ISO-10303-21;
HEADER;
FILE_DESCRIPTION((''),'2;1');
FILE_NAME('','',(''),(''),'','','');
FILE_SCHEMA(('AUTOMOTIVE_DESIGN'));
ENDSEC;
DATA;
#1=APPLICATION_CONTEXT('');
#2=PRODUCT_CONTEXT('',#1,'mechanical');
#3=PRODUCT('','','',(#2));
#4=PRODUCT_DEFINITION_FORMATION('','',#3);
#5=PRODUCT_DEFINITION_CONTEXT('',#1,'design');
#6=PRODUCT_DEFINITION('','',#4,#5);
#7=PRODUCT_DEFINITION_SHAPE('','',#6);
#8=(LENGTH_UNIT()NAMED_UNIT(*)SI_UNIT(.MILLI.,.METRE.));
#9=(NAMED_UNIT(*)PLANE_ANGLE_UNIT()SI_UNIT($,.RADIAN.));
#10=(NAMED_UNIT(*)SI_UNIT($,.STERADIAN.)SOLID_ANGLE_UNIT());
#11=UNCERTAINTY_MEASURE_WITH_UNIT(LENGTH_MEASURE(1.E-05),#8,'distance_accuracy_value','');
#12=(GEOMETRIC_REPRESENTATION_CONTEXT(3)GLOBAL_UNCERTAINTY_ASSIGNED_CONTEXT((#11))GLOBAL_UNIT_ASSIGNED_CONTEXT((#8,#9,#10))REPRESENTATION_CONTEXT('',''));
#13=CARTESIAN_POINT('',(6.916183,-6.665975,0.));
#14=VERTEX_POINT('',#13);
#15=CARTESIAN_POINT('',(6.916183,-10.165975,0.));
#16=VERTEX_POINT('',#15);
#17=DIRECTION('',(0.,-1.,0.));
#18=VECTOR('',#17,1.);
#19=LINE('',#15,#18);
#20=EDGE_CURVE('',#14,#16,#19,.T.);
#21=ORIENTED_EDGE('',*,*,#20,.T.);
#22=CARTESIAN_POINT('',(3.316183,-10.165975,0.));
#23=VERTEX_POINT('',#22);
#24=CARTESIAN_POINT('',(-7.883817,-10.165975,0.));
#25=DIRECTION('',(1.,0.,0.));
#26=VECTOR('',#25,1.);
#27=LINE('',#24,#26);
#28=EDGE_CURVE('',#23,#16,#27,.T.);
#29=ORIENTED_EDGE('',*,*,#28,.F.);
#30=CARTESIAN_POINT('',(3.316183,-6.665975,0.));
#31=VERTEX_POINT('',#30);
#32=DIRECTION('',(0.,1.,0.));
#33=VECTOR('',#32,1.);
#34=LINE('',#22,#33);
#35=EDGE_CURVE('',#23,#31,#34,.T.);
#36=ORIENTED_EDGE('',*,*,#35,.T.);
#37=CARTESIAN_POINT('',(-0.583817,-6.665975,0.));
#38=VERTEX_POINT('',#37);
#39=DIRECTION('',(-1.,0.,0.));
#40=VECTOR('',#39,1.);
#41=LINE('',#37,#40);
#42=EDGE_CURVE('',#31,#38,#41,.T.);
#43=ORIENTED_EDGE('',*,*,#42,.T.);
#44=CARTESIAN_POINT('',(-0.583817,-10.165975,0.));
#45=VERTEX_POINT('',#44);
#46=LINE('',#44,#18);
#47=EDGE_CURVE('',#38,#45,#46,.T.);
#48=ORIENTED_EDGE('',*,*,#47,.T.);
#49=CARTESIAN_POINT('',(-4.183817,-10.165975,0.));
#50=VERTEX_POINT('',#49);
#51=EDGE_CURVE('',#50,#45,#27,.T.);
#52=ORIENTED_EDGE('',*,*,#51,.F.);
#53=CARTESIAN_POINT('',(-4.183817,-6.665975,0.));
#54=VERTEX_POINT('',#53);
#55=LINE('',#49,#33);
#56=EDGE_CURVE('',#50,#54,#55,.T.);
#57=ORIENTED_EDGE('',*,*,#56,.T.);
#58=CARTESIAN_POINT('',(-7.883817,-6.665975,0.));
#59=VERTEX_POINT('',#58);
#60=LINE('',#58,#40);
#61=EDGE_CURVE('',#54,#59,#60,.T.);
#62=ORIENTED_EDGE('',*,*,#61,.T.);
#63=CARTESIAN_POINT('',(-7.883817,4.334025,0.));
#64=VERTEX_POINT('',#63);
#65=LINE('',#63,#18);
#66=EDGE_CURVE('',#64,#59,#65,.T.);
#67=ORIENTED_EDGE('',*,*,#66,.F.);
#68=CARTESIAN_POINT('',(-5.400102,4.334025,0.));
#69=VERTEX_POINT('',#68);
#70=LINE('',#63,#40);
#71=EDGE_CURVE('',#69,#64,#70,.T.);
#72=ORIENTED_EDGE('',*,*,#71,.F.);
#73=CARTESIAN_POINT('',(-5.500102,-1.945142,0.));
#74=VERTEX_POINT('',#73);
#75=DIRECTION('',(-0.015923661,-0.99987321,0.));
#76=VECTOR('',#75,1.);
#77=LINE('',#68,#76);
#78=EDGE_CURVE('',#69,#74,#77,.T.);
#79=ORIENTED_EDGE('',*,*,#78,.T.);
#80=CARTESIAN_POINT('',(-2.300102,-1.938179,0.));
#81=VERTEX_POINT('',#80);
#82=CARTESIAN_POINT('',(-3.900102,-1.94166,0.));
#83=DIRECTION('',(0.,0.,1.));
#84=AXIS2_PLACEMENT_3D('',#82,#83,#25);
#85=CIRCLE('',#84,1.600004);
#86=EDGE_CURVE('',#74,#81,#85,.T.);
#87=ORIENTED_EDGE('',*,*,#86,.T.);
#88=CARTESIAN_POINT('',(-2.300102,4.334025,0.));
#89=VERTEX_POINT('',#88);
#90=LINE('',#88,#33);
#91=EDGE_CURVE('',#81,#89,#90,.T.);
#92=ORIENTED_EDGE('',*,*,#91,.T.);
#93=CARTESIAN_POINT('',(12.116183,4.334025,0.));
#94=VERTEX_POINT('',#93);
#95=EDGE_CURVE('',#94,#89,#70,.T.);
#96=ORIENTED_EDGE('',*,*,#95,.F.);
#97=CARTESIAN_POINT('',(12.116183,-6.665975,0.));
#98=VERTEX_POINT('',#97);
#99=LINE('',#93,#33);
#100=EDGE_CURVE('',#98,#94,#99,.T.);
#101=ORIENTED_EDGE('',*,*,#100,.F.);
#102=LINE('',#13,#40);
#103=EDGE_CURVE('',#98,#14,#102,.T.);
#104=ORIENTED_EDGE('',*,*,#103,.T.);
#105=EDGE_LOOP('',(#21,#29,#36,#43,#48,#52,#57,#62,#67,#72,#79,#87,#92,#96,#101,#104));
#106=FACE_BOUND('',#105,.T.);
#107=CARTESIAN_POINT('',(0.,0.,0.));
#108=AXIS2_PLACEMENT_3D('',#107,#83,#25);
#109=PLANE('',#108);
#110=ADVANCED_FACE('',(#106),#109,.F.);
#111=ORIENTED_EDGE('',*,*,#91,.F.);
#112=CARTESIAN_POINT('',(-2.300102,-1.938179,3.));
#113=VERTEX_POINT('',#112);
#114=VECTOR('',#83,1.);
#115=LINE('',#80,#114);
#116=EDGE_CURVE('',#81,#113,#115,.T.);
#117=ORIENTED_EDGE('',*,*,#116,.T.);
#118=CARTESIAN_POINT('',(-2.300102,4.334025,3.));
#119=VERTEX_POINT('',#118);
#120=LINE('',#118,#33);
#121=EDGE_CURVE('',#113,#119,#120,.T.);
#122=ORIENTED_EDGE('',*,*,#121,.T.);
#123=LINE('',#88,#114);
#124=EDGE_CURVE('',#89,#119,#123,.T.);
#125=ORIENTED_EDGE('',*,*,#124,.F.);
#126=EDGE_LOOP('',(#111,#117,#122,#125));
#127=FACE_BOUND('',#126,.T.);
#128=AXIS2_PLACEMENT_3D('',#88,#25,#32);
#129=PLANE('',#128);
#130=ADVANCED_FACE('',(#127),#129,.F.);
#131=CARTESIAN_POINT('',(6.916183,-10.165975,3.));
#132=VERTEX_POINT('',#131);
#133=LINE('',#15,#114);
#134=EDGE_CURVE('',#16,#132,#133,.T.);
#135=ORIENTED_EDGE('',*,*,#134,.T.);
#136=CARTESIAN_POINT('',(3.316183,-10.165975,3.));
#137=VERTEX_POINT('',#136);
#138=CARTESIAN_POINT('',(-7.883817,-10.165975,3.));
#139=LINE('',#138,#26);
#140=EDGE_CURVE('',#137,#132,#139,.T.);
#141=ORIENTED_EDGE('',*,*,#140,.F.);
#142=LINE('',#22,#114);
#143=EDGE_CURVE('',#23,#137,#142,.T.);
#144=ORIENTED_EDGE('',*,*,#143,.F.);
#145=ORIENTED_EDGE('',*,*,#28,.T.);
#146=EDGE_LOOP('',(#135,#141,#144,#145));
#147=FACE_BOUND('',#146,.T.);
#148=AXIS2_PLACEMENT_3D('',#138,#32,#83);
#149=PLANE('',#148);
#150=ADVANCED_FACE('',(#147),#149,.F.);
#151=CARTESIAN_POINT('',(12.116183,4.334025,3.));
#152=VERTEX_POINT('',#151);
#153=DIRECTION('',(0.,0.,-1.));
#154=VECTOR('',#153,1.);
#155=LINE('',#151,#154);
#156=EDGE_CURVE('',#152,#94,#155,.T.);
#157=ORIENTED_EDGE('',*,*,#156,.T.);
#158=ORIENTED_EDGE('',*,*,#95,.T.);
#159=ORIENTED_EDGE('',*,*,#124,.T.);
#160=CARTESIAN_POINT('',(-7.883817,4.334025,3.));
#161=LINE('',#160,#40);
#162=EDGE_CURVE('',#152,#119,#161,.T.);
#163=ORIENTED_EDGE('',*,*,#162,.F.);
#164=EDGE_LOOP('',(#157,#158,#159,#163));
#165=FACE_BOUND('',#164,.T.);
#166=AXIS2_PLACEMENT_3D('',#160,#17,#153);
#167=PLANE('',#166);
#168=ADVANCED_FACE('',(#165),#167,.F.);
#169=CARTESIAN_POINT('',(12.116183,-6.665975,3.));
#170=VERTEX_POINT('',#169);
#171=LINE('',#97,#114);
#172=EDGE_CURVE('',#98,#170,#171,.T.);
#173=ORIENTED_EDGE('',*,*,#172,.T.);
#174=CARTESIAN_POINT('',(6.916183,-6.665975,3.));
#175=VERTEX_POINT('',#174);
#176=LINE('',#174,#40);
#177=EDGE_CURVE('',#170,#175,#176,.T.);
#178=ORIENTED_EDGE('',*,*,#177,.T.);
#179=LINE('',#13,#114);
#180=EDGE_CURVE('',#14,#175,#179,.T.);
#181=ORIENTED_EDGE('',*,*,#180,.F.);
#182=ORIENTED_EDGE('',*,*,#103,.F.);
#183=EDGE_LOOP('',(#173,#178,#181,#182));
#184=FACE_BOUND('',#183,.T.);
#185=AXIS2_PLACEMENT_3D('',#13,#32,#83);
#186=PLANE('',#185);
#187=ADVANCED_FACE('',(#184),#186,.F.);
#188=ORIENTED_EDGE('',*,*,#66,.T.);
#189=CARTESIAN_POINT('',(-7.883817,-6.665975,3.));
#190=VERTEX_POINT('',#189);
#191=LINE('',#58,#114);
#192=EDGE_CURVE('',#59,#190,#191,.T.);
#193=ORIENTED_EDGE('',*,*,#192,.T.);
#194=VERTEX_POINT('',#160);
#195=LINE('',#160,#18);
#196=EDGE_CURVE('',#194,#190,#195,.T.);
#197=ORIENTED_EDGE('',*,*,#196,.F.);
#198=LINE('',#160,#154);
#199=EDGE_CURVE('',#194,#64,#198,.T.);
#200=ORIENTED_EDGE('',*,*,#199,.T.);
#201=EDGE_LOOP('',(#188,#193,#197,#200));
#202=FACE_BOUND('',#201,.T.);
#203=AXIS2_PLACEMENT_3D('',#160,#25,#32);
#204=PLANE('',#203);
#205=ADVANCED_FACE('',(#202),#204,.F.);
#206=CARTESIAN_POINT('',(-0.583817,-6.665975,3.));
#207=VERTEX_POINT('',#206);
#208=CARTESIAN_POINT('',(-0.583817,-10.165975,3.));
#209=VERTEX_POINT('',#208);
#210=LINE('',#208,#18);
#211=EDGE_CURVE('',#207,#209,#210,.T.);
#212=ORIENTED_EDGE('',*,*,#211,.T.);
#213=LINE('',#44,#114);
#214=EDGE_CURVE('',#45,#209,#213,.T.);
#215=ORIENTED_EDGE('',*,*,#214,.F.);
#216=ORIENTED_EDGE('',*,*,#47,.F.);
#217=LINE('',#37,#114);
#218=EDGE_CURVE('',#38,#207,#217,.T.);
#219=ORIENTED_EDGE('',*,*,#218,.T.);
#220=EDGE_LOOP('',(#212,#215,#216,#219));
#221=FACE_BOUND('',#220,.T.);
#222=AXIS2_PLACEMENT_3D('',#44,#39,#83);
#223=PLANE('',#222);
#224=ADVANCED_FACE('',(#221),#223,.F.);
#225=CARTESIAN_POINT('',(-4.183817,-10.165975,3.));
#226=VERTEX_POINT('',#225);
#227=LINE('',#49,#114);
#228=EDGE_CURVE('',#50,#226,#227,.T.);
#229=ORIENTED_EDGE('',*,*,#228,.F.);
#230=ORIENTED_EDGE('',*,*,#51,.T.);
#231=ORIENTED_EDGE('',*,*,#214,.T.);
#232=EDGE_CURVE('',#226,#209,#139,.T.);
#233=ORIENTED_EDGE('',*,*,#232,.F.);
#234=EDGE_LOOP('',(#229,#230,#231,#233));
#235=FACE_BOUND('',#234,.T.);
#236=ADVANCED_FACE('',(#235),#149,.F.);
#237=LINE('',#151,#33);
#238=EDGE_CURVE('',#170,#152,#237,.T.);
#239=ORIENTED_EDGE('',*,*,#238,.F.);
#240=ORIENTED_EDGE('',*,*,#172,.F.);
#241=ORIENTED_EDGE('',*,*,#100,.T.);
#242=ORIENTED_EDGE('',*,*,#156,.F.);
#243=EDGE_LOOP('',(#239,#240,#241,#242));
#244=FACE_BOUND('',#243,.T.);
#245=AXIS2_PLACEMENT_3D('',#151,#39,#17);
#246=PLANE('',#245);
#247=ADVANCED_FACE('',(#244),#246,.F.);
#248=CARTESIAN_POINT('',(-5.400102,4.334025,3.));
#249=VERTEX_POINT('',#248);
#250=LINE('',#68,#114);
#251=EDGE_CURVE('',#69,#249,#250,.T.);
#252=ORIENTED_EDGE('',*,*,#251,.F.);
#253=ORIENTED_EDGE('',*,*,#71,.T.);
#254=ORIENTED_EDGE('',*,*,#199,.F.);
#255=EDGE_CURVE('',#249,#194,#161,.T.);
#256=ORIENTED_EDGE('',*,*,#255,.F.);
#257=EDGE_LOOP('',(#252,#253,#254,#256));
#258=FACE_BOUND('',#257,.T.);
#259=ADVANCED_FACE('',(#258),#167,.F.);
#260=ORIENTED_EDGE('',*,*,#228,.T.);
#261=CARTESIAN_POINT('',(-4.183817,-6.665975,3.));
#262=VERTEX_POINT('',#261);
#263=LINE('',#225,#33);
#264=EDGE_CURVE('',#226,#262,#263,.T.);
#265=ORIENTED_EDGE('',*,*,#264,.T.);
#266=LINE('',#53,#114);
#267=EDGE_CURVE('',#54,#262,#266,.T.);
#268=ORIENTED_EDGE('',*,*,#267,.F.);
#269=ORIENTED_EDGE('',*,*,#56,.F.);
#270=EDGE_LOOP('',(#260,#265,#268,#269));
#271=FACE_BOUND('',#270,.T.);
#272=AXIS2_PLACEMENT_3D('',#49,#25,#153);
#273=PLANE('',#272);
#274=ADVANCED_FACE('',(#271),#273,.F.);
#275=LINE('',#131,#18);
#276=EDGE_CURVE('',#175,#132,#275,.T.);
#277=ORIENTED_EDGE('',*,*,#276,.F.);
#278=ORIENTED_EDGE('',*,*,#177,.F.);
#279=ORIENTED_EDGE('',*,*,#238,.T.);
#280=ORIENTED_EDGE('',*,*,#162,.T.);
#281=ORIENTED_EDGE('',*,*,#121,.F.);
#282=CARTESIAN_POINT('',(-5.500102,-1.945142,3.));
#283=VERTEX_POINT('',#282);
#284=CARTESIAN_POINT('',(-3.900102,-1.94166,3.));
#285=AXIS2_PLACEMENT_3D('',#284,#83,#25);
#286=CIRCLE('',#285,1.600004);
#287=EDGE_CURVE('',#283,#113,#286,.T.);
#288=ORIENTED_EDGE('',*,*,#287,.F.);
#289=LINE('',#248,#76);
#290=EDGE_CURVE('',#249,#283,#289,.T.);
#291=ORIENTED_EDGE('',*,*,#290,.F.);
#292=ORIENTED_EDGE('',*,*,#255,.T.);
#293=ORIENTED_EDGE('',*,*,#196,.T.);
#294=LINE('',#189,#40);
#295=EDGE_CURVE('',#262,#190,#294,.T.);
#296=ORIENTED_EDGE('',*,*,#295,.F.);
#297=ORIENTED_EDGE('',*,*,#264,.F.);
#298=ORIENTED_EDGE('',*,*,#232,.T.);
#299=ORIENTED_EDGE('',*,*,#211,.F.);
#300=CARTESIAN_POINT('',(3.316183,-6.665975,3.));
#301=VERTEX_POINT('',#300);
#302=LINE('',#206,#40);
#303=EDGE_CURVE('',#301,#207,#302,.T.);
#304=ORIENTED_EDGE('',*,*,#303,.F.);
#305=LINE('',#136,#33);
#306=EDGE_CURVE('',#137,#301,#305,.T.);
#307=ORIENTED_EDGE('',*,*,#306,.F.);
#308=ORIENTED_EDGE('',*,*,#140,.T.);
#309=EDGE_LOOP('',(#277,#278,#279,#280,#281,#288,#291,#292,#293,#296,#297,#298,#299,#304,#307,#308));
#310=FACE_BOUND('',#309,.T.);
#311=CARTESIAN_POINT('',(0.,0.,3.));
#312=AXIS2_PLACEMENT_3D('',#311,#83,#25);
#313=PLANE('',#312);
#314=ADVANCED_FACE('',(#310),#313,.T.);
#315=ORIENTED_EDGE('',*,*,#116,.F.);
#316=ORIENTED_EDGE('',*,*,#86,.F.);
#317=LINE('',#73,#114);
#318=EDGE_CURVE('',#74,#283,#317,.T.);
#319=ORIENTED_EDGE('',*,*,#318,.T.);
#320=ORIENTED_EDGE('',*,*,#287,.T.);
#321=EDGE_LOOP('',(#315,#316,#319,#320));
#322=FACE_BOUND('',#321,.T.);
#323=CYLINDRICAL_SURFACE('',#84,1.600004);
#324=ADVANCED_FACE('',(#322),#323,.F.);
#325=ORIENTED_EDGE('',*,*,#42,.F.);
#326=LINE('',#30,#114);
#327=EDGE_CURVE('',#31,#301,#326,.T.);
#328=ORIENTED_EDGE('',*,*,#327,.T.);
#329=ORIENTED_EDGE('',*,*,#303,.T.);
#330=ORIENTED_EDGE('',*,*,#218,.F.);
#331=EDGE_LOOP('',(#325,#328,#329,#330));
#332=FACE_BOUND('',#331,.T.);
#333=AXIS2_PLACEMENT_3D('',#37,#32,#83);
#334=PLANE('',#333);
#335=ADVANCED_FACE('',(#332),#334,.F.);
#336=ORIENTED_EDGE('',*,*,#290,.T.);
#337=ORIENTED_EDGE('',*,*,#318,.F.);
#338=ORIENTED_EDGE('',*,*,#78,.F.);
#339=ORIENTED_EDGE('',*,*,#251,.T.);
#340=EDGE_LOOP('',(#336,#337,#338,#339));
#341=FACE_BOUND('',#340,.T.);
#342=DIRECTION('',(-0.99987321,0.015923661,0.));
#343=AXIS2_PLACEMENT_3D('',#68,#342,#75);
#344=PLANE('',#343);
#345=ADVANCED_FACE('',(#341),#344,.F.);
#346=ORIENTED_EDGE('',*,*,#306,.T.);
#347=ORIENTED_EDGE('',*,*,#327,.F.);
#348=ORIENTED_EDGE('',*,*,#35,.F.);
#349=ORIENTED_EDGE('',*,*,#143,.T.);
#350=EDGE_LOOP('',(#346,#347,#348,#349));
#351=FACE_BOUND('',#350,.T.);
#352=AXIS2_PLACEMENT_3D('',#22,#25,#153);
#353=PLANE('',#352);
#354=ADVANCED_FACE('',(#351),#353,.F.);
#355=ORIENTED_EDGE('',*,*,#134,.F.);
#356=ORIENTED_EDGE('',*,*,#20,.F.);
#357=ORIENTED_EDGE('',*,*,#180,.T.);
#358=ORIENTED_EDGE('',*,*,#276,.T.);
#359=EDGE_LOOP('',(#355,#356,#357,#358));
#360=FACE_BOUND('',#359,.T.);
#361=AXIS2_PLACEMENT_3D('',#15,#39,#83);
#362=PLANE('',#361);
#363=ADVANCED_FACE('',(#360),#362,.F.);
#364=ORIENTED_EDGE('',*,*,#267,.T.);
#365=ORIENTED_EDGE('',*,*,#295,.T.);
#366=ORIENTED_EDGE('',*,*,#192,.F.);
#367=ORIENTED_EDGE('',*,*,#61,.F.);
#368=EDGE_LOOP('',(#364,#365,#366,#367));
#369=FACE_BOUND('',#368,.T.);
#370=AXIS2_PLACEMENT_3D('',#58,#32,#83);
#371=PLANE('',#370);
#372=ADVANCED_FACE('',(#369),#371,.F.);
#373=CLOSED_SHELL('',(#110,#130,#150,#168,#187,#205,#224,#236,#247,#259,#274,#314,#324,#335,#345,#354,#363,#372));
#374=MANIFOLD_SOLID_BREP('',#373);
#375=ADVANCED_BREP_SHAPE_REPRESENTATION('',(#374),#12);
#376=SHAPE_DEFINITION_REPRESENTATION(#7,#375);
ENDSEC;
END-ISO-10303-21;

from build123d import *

# Parameters (mm, degrees)
SKETCH1_W           = 20
SKETCH1_H           = 14.5
BOSS_EXTRUDE1_DEPTH = 3
SKETCH2_W           = 3.7
SKETCH2_H           = 3.5
SKETCH2_W_2         = 3.9
SKETCH2_W_3         = 5.2
CUT_EXTRUDE1_DEPTH  = 3
CUT_EXTRUDE2_DEPTH  = 3
CUT_EXTRUDE3_DEPTH  = 3


with BuildPart() as part:
    # Sketch1 → Boss-Extrude1 (new body)
    with BuildSketch(Plane.XY):
        with Locations((2.116182573, -2.915975104)):
            Rectangle(SKETCH1_W, SKETCH1_H)
    extrude(amount=BOSS_EXTRUDE1_DEPTH)

    # Sketch2 → Cut-Extrude1 (cut)
    with BuildSketch(Plane.XY.offset(3)):
        with Locations((-6.033817427, -8.415975104)):
            Rectangle(SKETCH2_W, SKETCH2_H)
        with Locations((1.366182573, -8.415975104)):
            Rectangle(SKETCH2_W_2, SKETCH2_H)
        with Locations((9.516182573, -8.415975104)):
            Rectangle(SKETCH2_W_3, SKETCH2_H)
    extrude(amount=-CUT_EXTRUDE1_DEPTH, mode=Mode.SUBTRACT)

    # Sketch3 → Cut-Extrude2 (cut)
    with BuildSketch(Plane.XY.offset(3)):
        with BuildLine():
            Line((-2.300101836, 4.334024896), (-2.300101836, -1.938179145))
            ThreePointArc((-2.300101836, -1.938179145), (-3.850101836, -3.488179145), (-5.400101836, -1.938179145))
            Line((-5.400101836, -1.938179145), (-5.400101836, 4.334024896))
            ThreePointArc((-5.400101836, 4.334024896), (-3.850101836, 5.884024896), (-2.300101836, 4.334024896))
        make_face()
    extrude(amount=-CUT_EXTRUDE2_DEPTH, mode=Mode.SUBTRACT)

    # Sketch4 → Cut-Extrude3 (cut)
    with BuildSketch(Plane.XY.offset(3)):
        with BuildLine():
            Line((-5.400101836, 4.334024896), (-5.500101836, -1.945141671))
            ThreePointArc((-5.500101836, -1.945141671), (-3.896620573, -3.541660408), (-2.300101836, -1.938179145))
            Line((-2.300101836, -1.938179145), (-5.400101836, 4.334024896))
        make_face()
    extrude(amount=-CUT_EXTRUDE3_DEPTH, mode=Mode.SUBTRACT)


solid = part.part
